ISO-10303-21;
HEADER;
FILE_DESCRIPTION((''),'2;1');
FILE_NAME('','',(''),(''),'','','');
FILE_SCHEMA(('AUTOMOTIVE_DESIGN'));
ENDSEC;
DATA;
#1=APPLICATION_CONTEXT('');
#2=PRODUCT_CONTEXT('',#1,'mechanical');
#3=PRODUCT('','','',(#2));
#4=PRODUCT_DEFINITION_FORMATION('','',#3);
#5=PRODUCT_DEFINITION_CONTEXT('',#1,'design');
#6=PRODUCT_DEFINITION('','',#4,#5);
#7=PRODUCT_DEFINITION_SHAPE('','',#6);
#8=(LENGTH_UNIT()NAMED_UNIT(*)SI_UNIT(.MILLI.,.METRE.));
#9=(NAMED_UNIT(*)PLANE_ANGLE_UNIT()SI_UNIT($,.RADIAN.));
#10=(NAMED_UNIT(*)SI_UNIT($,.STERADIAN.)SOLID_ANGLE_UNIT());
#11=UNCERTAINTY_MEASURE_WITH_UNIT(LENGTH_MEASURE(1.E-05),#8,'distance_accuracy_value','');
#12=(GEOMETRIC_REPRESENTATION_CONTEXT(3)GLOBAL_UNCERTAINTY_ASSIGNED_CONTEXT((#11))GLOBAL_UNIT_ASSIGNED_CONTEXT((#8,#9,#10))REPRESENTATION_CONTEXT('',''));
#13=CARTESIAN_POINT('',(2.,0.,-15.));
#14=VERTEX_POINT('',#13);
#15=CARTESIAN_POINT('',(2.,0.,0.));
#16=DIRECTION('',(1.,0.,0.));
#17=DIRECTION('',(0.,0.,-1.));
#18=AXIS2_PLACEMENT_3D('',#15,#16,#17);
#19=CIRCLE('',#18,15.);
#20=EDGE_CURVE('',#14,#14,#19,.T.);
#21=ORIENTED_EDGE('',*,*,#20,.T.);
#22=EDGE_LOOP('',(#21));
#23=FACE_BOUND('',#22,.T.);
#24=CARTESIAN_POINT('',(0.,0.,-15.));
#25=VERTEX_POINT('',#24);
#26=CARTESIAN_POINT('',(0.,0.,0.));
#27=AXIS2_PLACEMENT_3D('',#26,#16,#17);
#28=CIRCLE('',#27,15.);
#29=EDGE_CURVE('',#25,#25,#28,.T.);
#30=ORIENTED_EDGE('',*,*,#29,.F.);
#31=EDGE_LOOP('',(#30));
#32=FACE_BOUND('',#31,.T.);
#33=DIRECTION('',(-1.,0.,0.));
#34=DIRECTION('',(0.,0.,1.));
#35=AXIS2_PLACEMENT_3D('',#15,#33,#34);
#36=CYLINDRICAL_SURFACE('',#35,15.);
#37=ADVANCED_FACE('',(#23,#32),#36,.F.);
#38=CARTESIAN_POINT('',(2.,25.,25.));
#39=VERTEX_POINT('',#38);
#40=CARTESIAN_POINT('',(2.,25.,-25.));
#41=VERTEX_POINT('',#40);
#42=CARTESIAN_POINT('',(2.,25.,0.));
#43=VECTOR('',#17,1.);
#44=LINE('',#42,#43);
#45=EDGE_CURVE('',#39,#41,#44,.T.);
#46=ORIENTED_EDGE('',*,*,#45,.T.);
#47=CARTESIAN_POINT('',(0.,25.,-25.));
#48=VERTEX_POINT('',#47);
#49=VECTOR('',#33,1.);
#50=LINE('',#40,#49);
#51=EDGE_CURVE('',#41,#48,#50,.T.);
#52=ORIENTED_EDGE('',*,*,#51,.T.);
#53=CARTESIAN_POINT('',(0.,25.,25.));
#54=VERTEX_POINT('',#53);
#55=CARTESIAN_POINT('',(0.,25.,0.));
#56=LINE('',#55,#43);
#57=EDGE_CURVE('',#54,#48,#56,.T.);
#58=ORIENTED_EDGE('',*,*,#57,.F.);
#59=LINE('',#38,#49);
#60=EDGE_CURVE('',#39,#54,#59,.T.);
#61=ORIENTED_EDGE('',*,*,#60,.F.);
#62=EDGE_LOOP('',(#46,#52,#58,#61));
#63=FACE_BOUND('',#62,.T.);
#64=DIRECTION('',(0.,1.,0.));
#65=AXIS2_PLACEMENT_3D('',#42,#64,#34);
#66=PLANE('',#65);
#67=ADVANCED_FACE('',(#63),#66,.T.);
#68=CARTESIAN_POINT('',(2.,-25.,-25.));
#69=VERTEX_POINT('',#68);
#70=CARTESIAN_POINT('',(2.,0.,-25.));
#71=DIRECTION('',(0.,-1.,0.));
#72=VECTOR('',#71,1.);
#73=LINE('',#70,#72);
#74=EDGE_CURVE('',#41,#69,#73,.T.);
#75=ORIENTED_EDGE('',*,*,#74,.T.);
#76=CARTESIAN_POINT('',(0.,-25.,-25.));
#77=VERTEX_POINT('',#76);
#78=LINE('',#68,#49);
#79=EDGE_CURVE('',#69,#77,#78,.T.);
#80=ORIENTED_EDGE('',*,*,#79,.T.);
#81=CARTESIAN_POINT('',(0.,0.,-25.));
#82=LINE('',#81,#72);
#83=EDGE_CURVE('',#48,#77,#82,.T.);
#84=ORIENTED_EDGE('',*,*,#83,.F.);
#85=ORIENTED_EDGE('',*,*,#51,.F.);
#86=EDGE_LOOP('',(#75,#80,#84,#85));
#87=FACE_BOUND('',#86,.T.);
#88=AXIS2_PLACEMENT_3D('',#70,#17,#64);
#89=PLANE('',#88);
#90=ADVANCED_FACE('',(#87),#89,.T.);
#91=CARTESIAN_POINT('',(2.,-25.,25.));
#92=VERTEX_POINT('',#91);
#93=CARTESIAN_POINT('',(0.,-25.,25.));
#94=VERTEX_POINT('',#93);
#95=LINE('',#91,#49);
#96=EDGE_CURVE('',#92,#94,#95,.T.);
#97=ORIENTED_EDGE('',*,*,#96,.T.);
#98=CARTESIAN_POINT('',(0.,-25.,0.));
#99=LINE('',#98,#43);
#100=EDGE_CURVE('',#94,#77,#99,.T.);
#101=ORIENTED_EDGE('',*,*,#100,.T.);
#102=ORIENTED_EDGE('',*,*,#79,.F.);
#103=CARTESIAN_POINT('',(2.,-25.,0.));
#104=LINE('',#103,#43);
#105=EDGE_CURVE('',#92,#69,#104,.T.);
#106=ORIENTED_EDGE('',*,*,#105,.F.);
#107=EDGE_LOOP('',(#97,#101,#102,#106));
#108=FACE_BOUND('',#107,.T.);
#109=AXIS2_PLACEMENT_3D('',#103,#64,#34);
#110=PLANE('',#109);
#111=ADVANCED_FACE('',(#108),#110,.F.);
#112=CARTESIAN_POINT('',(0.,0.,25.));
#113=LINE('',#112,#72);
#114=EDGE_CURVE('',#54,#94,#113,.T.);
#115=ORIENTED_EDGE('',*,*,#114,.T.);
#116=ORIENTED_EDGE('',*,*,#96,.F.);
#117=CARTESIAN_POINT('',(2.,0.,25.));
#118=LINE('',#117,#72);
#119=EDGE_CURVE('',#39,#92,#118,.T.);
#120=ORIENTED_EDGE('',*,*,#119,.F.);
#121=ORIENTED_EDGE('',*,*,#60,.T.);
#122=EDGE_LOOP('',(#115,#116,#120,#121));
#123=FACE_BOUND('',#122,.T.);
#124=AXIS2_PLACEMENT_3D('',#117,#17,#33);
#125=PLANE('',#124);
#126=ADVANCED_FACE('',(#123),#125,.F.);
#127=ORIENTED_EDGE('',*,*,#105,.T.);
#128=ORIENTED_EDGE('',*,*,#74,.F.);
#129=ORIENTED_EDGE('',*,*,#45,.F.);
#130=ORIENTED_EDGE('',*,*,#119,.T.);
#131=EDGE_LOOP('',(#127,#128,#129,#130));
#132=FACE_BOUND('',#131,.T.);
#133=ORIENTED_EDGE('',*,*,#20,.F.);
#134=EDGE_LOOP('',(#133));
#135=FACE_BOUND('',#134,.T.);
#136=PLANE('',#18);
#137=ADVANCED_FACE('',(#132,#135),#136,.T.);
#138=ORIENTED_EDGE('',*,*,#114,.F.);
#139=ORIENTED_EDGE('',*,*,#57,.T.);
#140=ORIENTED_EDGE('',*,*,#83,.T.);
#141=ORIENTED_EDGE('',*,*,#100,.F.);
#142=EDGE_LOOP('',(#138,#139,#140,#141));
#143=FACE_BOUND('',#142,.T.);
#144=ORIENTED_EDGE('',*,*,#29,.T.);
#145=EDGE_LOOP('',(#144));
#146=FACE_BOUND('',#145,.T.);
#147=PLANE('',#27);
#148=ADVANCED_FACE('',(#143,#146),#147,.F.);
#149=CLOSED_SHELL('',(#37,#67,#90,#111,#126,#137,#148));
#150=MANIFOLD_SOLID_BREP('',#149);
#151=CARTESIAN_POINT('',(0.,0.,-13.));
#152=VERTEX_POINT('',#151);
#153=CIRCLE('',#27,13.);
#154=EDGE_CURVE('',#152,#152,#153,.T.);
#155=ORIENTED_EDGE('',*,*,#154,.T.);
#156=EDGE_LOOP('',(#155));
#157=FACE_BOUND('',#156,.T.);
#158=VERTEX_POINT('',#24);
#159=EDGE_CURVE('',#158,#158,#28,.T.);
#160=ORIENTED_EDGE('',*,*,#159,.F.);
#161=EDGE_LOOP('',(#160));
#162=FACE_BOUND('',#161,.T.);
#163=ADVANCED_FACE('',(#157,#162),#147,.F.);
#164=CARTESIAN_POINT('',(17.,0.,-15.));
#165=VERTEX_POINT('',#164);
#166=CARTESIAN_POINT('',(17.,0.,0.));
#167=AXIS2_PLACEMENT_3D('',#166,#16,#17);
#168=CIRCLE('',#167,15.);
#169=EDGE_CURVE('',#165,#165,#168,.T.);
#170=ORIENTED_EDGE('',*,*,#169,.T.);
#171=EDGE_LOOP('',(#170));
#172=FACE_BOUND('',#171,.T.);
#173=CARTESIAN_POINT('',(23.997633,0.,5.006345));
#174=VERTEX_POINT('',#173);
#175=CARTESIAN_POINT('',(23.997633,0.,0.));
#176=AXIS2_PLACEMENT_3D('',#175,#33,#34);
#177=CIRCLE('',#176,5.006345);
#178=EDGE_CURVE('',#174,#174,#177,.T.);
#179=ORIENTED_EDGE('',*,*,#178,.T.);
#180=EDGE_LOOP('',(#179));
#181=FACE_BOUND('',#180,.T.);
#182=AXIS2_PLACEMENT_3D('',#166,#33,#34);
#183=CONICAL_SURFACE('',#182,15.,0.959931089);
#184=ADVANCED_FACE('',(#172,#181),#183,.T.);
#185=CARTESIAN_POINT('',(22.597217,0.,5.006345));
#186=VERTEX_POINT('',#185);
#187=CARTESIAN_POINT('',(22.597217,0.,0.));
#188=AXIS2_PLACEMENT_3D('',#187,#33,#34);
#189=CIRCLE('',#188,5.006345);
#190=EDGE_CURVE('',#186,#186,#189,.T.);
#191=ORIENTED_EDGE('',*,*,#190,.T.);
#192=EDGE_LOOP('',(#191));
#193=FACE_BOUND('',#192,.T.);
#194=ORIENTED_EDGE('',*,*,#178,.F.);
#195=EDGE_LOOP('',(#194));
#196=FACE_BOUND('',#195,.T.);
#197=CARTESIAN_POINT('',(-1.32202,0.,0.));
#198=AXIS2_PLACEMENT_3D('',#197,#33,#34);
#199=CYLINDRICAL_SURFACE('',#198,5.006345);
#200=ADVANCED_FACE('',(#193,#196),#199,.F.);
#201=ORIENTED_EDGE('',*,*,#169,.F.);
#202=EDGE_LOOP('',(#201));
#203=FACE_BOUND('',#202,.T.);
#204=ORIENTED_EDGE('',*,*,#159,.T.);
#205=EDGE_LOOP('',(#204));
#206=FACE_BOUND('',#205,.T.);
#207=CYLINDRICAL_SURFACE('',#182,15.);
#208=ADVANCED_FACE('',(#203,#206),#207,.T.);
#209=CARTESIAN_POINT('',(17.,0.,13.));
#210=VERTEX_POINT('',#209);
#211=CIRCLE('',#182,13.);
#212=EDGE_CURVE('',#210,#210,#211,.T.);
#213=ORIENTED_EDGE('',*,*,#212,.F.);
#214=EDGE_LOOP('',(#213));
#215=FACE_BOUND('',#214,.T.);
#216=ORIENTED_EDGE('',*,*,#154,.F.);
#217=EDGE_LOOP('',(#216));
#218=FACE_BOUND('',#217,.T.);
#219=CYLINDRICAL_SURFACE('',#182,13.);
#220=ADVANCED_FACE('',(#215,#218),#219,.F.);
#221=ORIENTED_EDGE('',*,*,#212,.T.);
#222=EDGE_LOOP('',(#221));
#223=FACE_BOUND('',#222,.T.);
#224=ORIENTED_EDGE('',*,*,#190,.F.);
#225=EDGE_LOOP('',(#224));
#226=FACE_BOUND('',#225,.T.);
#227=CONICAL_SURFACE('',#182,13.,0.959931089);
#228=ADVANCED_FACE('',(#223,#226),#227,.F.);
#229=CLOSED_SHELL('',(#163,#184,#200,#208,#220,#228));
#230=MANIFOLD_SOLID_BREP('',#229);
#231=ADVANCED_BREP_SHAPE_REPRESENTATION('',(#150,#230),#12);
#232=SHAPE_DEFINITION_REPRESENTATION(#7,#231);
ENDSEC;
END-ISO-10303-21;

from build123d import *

# Parameters (mm, degrees)
SKETCH1_R           = 15
SKETCH1_R_2         = 13
BOSS_EXTRUDE1_DEPTH = 17
SKETCH1_4_W         = 50
SKETCH1_4_H         = 50
SKETCH1_4_R         = 15
BOSS_EXTRUDE2_DEPTH = 2


with BuildPart() as part:
    # Sketch1 → Boss-Extrude1 (new body)
    with BuildSketch(Plane(origin=(0, 0, 0), x_dir=(0, 0, -1), z_dir=(1, 0, 0))):
        Circle(SKETCH1_R)
        Circle(SKETCH1_R_2, mode=Mode.SUBTRACT)
    extrude(amount=BOSS_EXTRUDE1_DEPTH)

    # Sketch5 → Revolve1 (revolve)
    with BuildSketch(Plane(origin=(0, 0, 0), x_dir=(1, 0, 0), z_dir=(0, 1, 0))):
        Polygon((17, 15), (23.997632523, 5.00634506), (22.597217447, 5.00634506), (17, 13), align=None)
    revolve(axis=Axis((-1.32201978, 0, 0), (1, 0, 0)))


with BuildPart() as body_2:
    # Sketch1<4> → Boss-Extrude2 (new body)
    with BuildSketch(Plane(origin=(0, 0, 0), x_dir=(0, 0, -1), z_dir=(1, 0, 0))):
        Rectangle(SKETCH1_4_W, SKETCH1_4_H)
        Circle(SKETCH1_4_R, mode=Mode.SUBTRACT)
    extrude(amount=BOSS_EXTRUDE2_DEPTH)


solid = Compound([part.part, body_2.part])
